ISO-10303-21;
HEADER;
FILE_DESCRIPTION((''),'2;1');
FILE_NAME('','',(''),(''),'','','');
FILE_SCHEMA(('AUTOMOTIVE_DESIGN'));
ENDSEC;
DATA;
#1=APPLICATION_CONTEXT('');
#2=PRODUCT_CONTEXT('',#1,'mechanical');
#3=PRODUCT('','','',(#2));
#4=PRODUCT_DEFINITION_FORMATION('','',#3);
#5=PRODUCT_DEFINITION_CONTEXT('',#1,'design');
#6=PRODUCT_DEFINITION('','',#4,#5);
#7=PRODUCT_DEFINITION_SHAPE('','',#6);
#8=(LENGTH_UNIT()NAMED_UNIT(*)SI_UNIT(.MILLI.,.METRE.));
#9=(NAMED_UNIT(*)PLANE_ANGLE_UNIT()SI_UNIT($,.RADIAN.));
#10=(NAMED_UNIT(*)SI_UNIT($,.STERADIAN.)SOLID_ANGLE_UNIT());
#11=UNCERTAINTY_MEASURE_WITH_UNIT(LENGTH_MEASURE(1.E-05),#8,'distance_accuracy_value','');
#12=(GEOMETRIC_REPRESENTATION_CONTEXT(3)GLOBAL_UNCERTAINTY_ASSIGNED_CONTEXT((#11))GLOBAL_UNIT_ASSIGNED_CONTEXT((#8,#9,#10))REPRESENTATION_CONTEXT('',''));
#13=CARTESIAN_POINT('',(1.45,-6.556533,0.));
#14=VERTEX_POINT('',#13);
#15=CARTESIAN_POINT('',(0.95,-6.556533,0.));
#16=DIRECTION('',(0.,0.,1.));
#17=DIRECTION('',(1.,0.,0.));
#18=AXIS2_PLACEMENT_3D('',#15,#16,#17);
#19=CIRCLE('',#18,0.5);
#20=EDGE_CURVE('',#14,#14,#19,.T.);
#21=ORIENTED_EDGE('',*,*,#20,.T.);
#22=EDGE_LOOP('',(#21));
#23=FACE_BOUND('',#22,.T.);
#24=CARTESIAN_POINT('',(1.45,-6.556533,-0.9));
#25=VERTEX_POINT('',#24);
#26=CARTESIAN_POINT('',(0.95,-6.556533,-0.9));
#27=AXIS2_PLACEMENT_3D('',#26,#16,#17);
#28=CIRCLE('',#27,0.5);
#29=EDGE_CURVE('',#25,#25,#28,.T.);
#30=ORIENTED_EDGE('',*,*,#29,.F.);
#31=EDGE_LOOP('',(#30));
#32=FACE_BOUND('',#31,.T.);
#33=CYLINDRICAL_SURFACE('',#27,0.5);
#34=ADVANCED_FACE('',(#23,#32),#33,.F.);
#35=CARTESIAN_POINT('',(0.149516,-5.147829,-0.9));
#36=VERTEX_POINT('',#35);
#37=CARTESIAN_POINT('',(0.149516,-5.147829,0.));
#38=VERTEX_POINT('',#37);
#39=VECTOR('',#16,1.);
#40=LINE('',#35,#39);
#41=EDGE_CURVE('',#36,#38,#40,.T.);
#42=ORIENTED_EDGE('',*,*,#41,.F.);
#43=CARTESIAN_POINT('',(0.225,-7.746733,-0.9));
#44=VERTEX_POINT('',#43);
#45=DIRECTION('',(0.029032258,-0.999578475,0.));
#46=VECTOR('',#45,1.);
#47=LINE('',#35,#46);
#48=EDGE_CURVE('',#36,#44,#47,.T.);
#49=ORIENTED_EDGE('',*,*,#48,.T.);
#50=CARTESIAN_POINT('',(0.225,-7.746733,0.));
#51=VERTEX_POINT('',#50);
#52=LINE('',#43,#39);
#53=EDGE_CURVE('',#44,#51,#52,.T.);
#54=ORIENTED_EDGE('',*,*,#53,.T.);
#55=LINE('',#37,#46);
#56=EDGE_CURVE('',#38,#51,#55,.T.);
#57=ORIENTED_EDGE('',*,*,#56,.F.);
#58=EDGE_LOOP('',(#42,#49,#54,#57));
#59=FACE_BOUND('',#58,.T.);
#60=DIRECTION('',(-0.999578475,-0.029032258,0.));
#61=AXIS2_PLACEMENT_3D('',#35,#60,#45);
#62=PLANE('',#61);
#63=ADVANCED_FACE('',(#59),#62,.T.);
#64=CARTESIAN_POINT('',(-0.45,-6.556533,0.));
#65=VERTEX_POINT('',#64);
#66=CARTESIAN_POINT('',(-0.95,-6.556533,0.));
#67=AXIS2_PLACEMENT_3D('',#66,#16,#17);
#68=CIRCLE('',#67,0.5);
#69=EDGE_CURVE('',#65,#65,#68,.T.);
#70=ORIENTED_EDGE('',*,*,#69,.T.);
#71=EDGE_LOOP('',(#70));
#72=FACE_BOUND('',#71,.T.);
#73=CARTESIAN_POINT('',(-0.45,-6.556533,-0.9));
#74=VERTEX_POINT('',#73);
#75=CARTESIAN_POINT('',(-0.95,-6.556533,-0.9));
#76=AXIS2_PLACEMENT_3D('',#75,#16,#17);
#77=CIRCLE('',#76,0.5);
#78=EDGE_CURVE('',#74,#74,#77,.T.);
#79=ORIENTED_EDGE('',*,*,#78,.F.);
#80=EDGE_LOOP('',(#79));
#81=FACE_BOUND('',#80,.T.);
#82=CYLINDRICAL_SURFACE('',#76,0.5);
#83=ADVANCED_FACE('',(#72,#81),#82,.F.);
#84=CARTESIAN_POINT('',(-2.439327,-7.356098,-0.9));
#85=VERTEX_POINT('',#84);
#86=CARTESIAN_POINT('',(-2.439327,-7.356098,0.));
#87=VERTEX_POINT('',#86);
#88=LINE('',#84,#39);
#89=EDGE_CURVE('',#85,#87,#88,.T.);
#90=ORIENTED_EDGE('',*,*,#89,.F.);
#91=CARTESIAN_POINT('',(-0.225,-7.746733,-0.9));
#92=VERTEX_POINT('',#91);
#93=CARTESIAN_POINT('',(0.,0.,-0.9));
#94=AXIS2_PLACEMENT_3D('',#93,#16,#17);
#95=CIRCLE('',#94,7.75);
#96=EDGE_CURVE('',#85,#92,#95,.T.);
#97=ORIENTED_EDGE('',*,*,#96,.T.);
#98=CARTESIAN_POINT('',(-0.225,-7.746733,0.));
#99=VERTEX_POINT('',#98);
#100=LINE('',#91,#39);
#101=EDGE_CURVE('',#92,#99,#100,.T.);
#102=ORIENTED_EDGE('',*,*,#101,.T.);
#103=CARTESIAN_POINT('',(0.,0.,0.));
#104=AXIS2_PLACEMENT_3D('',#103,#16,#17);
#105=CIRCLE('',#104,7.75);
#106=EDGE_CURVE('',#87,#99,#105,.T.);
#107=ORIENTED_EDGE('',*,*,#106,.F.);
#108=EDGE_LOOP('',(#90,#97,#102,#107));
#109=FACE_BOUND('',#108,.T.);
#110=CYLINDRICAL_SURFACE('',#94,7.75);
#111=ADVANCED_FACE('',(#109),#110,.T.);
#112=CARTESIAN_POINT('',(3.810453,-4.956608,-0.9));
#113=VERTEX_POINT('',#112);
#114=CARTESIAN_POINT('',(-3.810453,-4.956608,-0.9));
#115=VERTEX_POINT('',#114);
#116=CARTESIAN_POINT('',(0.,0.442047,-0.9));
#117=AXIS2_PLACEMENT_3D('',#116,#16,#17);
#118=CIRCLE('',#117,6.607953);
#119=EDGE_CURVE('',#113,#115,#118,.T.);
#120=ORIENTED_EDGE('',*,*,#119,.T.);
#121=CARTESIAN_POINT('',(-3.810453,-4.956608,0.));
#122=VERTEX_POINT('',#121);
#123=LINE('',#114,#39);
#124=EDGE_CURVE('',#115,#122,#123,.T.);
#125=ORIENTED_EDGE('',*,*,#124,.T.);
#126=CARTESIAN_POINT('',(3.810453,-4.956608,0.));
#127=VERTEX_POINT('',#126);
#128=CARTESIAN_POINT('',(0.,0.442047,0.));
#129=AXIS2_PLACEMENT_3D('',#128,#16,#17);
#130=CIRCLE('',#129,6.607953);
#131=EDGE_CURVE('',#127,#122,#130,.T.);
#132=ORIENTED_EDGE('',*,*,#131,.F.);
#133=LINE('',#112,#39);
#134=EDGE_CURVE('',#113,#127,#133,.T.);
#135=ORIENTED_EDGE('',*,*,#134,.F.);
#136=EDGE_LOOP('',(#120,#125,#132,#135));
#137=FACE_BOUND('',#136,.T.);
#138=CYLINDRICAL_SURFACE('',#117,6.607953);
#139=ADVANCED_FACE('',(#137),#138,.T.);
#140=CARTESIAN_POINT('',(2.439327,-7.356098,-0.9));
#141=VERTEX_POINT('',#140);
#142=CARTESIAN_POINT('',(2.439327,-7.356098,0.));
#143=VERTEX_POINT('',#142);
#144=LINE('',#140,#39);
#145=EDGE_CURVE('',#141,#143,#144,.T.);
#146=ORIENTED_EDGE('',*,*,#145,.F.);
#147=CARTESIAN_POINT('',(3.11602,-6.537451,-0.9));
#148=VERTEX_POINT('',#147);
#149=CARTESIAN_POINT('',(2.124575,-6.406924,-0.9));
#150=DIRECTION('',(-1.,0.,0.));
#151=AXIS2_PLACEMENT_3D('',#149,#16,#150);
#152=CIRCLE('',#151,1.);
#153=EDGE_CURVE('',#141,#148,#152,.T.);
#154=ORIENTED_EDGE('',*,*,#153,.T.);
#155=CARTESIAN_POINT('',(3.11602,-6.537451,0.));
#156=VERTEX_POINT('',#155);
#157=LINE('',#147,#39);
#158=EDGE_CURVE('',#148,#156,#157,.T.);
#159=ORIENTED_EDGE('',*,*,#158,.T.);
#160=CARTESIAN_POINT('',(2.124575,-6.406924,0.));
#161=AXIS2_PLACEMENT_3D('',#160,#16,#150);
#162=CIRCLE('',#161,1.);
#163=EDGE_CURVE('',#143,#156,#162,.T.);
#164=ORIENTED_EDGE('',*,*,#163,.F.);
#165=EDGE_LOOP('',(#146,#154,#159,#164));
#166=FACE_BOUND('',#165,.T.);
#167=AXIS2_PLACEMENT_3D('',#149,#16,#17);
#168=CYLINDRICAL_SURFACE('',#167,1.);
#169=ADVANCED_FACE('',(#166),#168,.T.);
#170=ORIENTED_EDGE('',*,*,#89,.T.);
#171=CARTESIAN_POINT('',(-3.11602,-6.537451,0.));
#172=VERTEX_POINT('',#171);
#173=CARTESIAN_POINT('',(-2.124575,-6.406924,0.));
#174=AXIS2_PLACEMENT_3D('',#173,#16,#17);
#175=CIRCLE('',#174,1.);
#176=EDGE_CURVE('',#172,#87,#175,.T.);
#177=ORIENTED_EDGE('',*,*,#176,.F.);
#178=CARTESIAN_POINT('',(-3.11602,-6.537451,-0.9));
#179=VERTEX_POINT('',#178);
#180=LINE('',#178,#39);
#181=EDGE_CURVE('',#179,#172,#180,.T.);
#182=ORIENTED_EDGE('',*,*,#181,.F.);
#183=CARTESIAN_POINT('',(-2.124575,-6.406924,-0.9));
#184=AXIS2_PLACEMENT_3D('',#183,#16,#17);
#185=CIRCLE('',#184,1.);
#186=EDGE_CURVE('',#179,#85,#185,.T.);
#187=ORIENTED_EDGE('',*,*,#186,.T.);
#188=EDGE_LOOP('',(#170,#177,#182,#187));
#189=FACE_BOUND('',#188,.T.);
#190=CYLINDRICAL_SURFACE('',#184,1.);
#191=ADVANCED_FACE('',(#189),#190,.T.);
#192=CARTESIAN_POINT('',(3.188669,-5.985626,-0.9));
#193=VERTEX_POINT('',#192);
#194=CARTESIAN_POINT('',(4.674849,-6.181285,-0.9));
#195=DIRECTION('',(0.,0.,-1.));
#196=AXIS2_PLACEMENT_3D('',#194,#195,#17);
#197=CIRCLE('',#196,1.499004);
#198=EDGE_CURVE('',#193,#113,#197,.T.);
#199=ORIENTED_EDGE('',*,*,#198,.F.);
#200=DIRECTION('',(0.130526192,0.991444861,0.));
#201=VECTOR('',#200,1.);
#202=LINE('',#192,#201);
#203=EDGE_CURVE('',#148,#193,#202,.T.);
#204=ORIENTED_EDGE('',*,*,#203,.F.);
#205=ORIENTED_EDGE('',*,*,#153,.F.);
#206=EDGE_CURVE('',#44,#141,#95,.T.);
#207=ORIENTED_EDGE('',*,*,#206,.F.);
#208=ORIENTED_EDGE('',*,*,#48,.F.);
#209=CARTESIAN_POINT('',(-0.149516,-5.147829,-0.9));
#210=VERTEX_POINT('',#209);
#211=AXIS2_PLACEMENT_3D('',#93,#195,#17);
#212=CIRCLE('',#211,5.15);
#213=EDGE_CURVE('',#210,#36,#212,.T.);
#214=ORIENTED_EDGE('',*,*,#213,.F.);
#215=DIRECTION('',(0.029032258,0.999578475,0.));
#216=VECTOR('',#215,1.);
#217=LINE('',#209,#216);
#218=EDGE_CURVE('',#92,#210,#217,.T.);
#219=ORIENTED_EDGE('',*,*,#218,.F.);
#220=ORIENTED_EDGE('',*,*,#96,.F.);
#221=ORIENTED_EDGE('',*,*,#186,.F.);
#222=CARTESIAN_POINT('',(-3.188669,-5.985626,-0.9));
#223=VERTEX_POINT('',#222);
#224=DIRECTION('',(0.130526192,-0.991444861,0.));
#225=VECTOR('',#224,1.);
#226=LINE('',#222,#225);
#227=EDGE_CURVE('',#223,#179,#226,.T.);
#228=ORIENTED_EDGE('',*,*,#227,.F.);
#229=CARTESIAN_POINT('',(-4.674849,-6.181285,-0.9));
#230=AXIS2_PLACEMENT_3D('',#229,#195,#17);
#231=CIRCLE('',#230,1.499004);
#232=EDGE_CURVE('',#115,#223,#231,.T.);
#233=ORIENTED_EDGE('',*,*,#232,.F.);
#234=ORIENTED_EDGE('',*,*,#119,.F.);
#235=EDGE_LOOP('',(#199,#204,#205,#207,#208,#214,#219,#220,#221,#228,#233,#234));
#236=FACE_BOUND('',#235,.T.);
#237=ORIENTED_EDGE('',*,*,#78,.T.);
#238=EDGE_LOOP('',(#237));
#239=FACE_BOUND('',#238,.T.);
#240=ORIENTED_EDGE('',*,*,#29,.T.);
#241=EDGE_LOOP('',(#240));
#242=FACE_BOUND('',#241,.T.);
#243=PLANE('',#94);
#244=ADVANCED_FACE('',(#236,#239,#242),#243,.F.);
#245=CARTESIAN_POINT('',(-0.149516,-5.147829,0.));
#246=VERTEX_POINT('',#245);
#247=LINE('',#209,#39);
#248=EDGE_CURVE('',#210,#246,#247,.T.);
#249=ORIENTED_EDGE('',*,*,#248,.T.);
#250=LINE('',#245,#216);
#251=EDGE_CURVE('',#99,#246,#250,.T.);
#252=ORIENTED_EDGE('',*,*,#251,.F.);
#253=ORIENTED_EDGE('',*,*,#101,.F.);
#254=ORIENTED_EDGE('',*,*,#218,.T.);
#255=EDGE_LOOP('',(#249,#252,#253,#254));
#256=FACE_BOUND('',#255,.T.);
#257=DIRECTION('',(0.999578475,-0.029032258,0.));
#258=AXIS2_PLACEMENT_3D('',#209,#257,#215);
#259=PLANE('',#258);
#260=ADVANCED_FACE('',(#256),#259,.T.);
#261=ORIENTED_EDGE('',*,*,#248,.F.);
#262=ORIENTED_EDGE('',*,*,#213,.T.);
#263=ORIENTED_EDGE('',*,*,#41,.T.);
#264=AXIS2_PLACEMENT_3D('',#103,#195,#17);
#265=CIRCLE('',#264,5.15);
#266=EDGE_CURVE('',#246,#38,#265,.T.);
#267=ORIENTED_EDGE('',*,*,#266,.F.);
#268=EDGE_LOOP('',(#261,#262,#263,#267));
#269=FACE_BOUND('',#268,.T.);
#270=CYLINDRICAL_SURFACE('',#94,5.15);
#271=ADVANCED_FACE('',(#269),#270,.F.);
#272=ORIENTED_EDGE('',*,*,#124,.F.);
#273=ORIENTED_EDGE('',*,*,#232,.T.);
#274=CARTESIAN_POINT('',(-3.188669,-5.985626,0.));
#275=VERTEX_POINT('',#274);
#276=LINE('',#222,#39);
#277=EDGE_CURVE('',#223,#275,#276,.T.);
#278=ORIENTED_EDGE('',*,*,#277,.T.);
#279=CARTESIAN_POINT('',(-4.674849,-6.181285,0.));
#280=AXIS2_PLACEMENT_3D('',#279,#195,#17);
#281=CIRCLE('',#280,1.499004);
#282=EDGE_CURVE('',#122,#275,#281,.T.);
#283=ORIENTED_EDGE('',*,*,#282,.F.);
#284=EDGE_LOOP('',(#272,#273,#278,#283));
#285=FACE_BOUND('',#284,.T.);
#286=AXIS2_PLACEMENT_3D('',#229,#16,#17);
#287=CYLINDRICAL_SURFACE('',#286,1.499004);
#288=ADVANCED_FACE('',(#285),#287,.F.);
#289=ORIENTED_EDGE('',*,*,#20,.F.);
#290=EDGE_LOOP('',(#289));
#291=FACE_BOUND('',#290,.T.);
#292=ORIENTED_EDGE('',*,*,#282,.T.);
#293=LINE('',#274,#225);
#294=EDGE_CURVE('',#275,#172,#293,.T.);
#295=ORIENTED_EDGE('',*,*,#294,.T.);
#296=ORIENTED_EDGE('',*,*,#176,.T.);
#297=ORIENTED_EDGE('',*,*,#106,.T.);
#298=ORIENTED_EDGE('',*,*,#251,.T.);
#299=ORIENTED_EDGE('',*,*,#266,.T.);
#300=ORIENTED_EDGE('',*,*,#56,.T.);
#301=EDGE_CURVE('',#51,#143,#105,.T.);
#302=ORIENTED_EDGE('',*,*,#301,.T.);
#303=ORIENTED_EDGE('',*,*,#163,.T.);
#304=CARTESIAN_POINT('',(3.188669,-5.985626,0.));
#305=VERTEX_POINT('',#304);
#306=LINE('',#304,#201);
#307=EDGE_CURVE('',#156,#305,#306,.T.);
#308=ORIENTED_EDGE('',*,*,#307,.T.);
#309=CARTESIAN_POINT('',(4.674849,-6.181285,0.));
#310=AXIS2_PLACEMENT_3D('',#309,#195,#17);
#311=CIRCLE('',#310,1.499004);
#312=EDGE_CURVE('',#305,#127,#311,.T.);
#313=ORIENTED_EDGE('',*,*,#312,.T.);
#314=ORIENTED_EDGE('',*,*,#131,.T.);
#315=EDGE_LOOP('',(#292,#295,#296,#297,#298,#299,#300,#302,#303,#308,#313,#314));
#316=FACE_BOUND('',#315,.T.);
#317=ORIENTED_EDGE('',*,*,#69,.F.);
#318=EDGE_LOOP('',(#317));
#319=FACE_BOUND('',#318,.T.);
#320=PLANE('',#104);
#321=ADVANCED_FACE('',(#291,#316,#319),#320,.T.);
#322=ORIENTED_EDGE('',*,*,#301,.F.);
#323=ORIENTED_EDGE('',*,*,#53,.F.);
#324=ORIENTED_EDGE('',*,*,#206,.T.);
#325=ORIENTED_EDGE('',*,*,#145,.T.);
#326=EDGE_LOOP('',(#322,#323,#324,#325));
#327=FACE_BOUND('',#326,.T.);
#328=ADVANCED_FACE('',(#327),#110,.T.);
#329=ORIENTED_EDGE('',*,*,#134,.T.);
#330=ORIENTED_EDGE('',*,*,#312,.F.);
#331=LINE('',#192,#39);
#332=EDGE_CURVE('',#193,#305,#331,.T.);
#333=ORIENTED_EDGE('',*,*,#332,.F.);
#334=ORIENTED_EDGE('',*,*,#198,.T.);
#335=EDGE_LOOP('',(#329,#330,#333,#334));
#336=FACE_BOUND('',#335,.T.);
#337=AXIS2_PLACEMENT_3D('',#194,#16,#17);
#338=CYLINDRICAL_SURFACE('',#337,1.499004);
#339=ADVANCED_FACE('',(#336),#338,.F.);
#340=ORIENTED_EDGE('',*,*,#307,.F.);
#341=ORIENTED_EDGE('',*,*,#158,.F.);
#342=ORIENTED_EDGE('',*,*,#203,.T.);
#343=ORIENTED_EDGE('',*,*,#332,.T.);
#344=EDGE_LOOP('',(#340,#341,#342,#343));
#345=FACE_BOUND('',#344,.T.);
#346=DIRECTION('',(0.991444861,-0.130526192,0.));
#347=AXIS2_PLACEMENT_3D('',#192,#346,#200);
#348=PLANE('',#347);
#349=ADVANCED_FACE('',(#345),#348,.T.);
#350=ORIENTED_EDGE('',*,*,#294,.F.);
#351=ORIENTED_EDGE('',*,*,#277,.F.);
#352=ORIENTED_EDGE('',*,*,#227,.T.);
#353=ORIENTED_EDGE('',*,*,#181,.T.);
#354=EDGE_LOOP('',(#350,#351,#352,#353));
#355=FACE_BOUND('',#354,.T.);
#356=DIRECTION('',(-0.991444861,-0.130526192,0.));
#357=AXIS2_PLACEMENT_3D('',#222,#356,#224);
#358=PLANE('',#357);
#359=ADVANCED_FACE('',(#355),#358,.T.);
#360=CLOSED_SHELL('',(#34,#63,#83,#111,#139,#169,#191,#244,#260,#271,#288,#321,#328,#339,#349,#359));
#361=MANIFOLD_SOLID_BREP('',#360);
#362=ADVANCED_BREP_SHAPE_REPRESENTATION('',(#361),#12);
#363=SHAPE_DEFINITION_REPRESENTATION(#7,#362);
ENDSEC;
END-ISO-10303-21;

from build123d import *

# Parameters (mm, degrees)
BODYSKE_R  = 0.5
BODY_DEPTH = 0.9


with BuildPart() as part:
    # BodySke → Body (new body)
    with BuildSketch(Plane.XY):
        with BuildLine():
            Line((0.149516129, -5.147829147), (0.225, -7.746733182))
            ThreePointArc((0.225, -7.746733182), (1.346405797, -7.632148546), (2.43932707, -7.356098385))
            ThreePointArc((2.43932707, -7.356098385), (2.895343336, -7.044040139), (3.116020052, -6.537450592))
            Line((3.116020052, -6.537450592), (3.188669173, -5.985625726))
            ThreePointArc((3.188669173, -5.985625726), (3.391875738, -5.406047825), (3.810453497, -4.95660805))
            ThreePointArc((3.810453497, -4.95660805), (0, 7.05), (-3.810453497, -4.95660805))
            ThreePointArc((-3.810453497, -4.95660805), (-3.391875738, -5.406047825), (-3.188669173, -5.985625726))
            Line((-3.188669173, -5.985625726), (-3.116020052, -6.537450592))
            ThreePointArc((-3.116020052, -6.537450592), (-2.895343336, -7.044040139), (-2.43932707, -7.356098385))
            ThreePointArc((-2.43932707, -7.356098385), (-1.346405797, -7.632148546), (-0.225, -7.746733182))
            Line((-0.225, -7.746733182), (-0.149516129, -5.147829147))
            ThreePointArc((-0.149516129, -5.147829147), (0, 5.15), (0.149516129, -5.147829147))
        make_face()
        with Locations((0.95, -6.556533002)):
            Circle(BODYSKE_R, mode=Mode.SUBTRACT)
        with Locations((-0.95, -6.556533002)):
            Circle(BODYSKE_R, mode=Mode.SUBTRACT)
    extrude(amount=-BODY_DEPTH)


solid = part.part
